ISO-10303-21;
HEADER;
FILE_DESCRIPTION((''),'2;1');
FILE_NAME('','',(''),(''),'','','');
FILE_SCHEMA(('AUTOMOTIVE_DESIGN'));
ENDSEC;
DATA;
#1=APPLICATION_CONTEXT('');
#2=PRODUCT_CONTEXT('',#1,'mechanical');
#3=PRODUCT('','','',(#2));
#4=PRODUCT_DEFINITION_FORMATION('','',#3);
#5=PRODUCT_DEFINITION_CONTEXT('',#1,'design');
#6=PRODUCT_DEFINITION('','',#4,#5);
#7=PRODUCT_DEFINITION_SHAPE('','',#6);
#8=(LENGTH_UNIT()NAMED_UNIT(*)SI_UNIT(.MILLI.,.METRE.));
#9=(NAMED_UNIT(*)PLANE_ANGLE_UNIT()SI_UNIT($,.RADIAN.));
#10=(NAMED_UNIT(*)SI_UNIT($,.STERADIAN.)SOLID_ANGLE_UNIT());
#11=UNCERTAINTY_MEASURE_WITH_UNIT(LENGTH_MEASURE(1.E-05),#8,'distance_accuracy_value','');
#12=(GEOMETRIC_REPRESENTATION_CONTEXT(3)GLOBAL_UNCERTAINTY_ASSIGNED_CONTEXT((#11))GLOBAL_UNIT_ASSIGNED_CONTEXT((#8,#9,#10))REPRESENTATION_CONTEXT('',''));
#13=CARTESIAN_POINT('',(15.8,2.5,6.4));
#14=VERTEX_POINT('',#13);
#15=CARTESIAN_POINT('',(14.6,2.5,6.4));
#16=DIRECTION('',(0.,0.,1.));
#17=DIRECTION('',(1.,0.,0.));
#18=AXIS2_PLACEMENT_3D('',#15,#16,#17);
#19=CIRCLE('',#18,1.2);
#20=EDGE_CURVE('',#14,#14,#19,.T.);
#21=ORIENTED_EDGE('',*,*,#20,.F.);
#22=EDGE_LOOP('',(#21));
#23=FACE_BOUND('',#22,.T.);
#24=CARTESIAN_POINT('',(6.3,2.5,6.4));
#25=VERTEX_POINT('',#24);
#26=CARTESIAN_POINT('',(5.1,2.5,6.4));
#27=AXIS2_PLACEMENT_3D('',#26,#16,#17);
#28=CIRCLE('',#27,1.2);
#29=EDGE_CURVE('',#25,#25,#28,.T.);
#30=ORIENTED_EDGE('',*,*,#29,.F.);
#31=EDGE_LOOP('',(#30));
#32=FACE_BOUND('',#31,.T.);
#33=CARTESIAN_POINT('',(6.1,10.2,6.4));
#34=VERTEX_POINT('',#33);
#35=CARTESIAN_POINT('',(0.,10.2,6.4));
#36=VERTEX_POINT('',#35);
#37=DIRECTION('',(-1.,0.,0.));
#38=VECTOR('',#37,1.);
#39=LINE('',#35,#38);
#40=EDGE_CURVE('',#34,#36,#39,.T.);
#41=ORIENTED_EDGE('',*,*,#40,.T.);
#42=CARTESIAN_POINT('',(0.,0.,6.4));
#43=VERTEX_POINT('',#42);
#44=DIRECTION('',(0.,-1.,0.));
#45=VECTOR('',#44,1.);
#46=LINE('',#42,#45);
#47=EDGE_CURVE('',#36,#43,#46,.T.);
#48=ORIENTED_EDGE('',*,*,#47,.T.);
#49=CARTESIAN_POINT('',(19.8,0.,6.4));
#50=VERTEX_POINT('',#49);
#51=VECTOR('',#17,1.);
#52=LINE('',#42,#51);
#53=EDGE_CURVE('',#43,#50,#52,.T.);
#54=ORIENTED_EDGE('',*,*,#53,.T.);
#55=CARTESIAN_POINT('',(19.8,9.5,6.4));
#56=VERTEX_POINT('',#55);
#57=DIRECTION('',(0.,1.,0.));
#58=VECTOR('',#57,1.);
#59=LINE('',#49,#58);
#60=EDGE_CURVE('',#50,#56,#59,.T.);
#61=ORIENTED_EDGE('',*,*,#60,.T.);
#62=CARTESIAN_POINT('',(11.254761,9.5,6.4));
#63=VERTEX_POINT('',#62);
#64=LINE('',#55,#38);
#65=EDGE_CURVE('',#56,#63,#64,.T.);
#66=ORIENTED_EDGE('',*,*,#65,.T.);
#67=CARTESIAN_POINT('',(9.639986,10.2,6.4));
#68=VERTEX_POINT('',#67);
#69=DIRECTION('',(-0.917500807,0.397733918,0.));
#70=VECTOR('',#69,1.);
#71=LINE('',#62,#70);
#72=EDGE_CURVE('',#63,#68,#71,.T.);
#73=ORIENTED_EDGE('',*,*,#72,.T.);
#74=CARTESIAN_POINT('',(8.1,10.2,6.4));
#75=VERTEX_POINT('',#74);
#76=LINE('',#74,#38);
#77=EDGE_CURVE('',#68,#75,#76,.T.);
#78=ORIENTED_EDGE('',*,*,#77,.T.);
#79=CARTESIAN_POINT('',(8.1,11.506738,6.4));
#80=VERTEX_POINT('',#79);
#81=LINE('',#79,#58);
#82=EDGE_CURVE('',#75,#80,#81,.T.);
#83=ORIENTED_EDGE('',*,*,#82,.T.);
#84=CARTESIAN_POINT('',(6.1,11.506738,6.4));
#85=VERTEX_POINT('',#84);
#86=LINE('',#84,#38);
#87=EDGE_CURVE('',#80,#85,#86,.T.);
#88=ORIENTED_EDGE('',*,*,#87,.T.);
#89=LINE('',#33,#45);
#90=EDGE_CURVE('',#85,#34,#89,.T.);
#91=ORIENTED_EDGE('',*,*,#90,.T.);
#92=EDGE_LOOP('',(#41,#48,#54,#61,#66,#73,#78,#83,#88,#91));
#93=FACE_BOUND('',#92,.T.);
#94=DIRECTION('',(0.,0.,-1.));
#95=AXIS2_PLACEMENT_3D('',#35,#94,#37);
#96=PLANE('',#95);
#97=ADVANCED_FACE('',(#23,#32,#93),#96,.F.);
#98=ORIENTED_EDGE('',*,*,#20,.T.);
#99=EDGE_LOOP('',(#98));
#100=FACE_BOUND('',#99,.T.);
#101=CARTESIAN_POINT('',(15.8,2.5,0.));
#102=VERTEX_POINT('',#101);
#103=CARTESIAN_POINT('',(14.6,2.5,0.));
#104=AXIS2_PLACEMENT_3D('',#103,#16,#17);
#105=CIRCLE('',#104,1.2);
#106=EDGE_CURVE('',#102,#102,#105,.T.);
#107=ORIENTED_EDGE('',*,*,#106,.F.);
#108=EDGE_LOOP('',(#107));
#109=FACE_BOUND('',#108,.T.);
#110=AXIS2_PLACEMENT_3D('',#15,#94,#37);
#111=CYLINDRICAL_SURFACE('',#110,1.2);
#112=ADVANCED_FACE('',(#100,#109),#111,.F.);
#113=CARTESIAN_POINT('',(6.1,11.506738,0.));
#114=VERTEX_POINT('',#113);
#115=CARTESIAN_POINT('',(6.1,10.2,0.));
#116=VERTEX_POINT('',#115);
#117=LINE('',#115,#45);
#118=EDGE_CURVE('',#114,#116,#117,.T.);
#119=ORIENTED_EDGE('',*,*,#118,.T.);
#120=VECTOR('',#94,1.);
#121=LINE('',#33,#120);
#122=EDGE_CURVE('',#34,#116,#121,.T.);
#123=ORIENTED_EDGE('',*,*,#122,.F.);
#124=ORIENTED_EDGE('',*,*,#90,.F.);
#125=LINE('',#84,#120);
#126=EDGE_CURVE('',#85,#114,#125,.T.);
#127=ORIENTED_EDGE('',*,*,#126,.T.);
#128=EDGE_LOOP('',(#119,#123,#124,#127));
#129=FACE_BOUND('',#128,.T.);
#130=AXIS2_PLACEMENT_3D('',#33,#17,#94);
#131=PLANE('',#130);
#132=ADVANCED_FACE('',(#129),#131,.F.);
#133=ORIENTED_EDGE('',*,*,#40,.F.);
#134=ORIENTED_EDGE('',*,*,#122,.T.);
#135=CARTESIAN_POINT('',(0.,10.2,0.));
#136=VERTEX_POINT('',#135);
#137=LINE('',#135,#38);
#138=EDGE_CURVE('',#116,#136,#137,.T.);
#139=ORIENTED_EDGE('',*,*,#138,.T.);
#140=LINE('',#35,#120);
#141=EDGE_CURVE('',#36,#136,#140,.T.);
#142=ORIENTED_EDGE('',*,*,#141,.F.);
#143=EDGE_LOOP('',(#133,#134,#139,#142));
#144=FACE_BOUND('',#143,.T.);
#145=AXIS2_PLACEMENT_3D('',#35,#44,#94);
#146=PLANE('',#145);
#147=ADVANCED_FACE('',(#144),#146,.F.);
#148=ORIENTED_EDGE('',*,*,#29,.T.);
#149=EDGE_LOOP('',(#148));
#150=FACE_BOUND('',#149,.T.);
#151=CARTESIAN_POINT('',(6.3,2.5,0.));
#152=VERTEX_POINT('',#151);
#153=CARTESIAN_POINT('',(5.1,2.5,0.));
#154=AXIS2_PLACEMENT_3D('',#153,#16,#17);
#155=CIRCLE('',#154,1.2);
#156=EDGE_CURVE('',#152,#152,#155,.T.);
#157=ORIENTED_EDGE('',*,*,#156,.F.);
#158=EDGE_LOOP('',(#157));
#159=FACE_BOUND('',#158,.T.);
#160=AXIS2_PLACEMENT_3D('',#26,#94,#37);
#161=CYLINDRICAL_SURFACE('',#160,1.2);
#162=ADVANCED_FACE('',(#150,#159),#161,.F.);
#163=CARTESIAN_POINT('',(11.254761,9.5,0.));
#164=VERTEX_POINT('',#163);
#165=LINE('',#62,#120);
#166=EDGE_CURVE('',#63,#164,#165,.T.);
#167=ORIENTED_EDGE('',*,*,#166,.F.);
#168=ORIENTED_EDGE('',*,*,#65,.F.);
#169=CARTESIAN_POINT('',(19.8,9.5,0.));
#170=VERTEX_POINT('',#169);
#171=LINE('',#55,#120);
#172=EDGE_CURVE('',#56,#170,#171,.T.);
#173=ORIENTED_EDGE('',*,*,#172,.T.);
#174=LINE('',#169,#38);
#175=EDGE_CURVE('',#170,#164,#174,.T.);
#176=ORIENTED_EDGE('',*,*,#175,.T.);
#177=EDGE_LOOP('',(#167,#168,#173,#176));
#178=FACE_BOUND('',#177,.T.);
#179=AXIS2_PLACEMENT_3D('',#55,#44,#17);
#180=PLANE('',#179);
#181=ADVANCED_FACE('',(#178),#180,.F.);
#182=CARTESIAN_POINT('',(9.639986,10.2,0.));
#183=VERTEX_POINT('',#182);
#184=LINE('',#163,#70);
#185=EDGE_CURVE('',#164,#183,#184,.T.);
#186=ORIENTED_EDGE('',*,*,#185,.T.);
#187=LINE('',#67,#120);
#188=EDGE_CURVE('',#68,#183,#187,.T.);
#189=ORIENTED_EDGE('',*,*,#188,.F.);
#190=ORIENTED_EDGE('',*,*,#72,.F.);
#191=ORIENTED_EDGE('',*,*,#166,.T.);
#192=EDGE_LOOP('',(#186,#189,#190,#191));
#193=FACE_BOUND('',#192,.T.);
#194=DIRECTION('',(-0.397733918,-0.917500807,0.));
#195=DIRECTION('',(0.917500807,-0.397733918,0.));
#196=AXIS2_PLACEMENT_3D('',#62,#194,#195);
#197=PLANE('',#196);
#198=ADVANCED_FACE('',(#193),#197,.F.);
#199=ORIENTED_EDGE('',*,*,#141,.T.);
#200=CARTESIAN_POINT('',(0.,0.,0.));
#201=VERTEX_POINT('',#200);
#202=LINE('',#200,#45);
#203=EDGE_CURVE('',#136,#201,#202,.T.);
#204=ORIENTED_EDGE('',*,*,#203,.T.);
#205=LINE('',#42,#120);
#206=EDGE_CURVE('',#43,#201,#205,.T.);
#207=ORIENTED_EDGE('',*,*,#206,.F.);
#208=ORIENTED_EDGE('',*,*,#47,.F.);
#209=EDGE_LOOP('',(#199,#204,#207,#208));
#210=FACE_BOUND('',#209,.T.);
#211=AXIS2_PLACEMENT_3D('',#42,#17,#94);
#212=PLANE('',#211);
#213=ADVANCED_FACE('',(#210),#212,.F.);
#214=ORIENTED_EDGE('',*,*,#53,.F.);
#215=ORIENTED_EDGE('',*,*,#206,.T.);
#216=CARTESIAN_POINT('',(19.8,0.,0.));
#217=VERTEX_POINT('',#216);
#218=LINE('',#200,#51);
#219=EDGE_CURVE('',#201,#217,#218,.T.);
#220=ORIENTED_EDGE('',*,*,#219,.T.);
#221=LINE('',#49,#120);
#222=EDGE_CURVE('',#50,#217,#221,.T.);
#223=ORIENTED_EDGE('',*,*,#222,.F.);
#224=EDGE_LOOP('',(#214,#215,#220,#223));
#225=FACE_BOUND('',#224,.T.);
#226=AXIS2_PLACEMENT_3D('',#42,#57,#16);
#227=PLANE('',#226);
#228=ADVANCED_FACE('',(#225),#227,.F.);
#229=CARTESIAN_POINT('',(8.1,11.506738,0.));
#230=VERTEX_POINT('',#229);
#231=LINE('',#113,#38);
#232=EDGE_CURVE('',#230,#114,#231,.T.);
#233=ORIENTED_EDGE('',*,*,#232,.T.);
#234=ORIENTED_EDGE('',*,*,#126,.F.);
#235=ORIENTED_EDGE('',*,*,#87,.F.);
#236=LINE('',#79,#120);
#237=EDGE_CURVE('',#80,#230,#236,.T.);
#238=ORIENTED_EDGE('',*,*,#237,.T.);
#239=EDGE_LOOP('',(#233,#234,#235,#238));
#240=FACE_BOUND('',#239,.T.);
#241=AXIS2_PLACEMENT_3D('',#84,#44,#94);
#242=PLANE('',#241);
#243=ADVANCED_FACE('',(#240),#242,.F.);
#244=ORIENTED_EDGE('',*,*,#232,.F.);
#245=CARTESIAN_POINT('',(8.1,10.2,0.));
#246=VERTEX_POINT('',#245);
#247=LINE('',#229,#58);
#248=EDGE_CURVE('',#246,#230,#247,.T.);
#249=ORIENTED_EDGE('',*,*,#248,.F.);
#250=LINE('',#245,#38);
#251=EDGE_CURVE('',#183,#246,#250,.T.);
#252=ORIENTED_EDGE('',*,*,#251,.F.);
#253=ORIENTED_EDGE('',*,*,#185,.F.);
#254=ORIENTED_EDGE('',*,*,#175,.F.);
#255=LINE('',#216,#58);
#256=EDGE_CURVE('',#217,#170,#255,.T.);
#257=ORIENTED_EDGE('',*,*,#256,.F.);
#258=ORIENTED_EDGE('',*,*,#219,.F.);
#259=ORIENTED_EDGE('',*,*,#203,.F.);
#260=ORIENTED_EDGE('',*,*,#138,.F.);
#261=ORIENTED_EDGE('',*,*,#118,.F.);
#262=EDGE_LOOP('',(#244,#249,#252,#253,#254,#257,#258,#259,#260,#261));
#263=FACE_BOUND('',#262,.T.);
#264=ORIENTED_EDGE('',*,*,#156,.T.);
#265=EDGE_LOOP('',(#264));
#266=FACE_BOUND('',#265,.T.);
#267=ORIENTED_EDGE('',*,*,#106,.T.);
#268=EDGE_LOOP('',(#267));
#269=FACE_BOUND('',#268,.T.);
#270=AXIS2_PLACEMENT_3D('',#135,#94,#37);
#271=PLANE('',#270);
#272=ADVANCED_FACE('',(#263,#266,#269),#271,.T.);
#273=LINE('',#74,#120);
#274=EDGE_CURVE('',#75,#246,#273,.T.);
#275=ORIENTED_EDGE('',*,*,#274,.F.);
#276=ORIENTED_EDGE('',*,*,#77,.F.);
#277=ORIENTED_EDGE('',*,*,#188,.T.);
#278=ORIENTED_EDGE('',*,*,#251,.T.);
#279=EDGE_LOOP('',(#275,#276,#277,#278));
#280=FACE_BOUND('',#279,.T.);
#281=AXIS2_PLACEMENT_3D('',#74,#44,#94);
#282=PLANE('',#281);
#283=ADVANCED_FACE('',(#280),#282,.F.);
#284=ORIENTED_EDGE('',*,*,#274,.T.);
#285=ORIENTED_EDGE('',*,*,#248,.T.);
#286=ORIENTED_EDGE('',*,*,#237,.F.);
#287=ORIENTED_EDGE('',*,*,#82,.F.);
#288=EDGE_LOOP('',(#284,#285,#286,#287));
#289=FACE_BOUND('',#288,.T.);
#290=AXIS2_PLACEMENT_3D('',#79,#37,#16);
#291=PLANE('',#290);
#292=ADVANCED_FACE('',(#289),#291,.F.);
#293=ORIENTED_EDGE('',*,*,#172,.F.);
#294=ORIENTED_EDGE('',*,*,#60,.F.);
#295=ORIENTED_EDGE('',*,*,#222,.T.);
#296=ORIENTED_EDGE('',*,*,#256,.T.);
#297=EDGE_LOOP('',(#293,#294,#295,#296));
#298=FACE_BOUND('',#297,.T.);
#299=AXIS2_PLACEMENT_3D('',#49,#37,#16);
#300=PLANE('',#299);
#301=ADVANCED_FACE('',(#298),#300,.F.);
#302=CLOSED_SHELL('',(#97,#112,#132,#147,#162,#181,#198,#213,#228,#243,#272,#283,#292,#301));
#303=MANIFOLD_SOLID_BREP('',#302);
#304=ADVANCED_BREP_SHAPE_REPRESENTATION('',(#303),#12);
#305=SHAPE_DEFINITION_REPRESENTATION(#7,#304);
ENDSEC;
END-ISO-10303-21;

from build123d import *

# Parameters (mm, degrees)
SKETCH1_R           = 1.2
BOSS_EXTRUDE1_DEPTH = 6.4


with BuildPart() as part:
    # Sketch1 → Boss-Extrude1 (new body)
    with BuildSketch(Plane.XY):
        Polygon((0, 0), (19.8, 0), (19.8, 9.5), (11.254760895, 9.5), (9.639986457, 10.2), (8.1, 10.2), (8.1, 11.506737858), (6.1, 11.506737858), (6.1, 10.2), (0, 10.2), align=None)
        with Locations((5.1, 2.5)):
            Circle(SKETCH1_R, mode=Mode.SUBTRACT)
        with Locations((14.6, 2.5)):
            Circle(SKETCH1_R, mode=Mode.SUBTRACT)
    extrude(amount=BOSS_EXTRUDE1_DEPTH)


solid = part.part
